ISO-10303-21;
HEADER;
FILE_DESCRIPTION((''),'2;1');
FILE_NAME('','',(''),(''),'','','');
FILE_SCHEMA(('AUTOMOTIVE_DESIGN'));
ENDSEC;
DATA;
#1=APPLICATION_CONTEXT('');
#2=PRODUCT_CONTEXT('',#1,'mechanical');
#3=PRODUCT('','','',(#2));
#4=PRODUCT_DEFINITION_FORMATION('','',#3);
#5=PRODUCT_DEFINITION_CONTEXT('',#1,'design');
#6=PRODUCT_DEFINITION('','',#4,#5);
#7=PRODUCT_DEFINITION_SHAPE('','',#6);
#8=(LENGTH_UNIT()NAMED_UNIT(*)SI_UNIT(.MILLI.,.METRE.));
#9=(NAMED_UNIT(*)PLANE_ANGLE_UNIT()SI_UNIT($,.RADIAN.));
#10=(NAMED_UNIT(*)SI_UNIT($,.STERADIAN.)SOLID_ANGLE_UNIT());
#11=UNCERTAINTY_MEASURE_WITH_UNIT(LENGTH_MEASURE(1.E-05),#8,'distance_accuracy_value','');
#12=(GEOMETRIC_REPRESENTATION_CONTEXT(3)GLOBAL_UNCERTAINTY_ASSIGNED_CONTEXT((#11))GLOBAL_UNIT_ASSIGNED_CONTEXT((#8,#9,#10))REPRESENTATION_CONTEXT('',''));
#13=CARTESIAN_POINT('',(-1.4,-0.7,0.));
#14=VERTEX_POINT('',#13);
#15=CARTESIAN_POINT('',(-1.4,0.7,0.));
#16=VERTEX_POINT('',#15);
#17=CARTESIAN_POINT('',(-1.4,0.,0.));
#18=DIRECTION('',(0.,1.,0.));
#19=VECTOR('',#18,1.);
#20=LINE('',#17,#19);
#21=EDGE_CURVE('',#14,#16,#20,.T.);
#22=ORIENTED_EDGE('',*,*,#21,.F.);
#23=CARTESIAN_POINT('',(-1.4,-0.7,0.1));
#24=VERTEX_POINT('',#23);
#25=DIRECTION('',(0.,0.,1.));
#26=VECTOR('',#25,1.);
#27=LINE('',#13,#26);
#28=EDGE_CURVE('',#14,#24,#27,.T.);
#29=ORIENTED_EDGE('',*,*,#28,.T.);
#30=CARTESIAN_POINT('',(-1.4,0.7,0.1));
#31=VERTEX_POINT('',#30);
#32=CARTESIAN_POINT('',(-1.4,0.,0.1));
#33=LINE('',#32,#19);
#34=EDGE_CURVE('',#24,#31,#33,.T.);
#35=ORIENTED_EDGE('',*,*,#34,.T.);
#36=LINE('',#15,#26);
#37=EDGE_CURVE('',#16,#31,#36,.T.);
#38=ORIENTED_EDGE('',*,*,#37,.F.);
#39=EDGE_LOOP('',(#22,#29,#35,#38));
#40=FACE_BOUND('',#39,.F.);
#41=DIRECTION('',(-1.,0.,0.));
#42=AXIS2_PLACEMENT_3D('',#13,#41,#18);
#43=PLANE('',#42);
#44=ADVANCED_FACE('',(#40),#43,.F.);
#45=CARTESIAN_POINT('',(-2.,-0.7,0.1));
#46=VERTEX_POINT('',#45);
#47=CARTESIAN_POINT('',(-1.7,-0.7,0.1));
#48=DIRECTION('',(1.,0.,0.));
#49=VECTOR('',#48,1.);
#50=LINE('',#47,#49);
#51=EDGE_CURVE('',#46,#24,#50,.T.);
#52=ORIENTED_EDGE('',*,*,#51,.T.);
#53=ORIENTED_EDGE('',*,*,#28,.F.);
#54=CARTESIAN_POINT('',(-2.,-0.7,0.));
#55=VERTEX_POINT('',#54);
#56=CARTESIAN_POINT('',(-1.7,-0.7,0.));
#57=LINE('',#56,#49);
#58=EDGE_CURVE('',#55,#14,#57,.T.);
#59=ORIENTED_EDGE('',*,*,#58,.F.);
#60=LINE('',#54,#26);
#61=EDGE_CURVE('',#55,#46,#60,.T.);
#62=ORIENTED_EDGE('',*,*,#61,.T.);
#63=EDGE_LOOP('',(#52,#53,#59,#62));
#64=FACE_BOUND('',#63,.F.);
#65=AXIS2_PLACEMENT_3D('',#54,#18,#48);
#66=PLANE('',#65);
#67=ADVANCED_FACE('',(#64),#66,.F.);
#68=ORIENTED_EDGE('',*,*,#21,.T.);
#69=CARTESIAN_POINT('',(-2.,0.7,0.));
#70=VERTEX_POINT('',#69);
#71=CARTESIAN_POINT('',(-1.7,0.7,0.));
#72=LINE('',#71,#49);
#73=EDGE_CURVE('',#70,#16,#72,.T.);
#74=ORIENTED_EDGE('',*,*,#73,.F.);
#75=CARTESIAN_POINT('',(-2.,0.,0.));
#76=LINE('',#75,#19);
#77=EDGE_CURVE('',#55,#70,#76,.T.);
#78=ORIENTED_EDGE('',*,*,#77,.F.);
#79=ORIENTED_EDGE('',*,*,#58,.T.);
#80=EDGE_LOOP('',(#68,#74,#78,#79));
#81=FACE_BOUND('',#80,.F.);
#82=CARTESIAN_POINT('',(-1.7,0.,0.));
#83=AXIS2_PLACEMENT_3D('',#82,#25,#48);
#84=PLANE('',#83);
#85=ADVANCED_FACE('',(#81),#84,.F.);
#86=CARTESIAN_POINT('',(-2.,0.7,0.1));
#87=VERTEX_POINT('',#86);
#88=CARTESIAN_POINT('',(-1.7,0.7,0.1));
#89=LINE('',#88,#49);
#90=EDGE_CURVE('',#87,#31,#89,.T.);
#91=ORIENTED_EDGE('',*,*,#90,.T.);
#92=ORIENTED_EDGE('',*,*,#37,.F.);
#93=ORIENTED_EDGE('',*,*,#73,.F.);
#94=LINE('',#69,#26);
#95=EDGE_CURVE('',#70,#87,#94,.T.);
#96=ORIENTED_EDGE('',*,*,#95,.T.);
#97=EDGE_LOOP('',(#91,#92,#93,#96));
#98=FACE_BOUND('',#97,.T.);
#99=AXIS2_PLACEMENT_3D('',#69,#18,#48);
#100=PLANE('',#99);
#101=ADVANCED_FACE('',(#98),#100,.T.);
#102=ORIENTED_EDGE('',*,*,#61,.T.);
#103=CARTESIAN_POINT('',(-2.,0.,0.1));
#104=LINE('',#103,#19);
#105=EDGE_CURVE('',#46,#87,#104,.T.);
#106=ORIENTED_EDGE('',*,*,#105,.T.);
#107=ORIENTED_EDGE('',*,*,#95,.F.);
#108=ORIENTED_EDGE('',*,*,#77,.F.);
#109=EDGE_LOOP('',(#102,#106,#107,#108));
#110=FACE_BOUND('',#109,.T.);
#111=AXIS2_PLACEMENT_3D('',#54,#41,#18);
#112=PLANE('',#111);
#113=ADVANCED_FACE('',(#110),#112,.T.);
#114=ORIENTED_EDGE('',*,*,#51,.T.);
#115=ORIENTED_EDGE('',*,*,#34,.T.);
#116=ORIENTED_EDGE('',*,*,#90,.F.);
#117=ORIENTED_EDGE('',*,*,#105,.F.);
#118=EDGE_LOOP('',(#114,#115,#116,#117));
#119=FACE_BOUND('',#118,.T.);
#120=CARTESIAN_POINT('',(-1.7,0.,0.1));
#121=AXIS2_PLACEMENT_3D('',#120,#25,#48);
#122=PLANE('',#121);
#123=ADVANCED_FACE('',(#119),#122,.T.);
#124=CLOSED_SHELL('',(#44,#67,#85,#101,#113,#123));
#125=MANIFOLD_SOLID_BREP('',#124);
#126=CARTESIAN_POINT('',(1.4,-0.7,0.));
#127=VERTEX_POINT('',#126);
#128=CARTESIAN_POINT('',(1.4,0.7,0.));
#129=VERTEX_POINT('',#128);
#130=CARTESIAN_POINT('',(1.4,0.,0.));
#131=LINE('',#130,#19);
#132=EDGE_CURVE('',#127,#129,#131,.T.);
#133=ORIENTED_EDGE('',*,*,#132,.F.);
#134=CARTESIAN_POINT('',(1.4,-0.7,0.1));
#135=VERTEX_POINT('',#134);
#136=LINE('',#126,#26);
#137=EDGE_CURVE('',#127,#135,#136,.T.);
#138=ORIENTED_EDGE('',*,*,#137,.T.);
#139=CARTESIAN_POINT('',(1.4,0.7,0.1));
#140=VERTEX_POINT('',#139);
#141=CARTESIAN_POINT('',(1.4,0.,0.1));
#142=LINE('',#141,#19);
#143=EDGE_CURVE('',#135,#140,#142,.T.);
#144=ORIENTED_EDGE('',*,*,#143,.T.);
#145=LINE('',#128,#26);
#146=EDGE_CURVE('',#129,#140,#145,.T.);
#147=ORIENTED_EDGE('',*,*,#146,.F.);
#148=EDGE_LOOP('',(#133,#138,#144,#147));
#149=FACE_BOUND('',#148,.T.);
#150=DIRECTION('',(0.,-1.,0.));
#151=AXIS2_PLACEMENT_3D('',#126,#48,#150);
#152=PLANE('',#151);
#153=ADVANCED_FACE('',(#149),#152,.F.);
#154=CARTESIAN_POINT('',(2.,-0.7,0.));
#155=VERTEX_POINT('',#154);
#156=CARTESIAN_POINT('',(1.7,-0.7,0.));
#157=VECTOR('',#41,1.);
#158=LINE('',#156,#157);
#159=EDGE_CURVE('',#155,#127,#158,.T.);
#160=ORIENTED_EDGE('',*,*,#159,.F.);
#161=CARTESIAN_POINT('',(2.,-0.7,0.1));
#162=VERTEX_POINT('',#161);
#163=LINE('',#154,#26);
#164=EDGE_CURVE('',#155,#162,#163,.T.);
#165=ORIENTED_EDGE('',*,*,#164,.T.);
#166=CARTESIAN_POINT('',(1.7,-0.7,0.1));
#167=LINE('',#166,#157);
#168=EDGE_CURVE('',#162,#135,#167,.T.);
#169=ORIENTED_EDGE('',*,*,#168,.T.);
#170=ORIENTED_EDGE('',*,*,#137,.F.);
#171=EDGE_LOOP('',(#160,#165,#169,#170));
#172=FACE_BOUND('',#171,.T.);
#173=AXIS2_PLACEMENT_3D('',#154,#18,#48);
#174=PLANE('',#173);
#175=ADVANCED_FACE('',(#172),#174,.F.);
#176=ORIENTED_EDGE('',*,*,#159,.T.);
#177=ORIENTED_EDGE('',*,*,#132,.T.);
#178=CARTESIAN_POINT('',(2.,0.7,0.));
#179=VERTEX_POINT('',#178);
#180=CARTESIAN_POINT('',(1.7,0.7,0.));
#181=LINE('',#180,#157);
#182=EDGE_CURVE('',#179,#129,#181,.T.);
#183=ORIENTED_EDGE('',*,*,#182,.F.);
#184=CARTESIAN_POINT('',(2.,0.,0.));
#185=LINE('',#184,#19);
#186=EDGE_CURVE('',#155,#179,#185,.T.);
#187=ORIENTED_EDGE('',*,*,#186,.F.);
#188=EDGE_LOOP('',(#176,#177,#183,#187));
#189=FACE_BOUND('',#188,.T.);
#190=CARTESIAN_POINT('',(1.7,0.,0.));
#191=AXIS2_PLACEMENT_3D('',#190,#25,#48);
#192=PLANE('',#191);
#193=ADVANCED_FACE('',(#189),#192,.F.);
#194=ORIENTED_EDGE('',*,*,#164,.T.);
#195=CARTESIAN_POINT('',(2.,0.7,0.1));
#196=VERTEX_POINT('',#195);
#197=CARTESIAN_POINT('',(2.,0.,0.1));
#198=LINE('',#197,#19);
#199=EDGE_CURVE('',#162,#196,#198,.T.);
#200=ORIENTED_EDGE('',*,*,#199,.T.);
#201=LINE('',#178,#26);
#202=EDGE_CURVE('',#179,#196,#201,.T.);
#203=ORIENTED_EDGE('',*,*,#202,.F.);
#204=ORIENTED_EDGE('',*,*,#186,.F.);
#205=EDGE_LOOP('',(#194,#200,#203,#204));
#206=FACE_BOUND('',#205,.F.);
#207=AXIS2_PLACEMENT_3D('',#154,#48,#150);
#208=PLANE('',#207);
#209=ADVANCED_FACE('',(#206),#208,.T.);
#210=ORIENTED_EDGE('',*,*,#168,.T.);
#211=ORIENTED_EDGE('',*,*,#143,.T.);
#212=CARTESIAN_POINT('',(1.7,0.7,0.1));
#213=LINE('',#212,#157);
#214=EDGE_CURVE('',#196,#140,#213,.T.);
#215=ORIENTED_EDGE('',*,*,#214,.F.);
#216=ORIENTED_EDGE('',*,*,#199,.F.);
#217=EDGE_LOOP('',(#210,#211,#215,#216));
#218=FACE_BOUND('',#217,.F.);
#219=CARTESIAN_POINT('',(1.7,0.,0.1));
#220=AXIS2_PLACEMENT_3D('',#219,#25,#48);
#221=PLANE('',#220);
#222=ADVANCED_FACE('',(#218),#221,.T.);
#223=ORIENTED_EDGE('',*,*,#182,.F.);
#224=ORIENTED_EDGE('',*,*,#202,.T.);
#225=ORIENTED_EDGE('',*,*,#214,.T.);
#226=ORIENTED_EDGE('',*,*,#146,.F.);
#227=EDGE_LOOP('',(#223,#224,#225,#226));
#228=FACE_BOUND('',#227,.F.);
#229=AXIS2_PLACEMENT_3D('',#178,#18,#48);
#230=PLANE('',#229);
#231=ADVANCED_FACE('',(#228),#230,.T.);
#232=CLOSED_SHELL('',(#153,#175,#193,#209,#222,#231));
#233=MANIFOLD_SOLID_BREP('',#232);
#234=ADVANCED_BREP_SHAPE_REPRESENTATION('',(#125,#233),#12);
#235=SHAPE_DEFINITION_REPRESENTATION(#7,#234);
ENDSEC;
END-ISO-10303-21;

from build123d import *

# Parameters (mm, degrees)
SKETCH049_W  = 0.6
SKETCH049_H  = 1.4
PAD030_DEPTH = 0.1


with BuildPart() as terminal003:
    # Sketch049 → Pad030 (new body)
    with BuildSketch(Plane.XY):
        with Locations((-1.7, 0)):
            Rectangle(SKETCH049_W, SKETCH049_H)
    extrude(amount=PAD030_DEPTH)


with BuildPart() as fusion003:
    # Mirror003: instance of Terminal003
    add(terminal003.part.mirror(Plane(origin=(0, 0, 0), x_dir=(0, -1, 0), z_dir=(1, 0, 0))))

    # Fusion003: union Terminal003
    add(terminal003.part)


solid = fusion003.part
